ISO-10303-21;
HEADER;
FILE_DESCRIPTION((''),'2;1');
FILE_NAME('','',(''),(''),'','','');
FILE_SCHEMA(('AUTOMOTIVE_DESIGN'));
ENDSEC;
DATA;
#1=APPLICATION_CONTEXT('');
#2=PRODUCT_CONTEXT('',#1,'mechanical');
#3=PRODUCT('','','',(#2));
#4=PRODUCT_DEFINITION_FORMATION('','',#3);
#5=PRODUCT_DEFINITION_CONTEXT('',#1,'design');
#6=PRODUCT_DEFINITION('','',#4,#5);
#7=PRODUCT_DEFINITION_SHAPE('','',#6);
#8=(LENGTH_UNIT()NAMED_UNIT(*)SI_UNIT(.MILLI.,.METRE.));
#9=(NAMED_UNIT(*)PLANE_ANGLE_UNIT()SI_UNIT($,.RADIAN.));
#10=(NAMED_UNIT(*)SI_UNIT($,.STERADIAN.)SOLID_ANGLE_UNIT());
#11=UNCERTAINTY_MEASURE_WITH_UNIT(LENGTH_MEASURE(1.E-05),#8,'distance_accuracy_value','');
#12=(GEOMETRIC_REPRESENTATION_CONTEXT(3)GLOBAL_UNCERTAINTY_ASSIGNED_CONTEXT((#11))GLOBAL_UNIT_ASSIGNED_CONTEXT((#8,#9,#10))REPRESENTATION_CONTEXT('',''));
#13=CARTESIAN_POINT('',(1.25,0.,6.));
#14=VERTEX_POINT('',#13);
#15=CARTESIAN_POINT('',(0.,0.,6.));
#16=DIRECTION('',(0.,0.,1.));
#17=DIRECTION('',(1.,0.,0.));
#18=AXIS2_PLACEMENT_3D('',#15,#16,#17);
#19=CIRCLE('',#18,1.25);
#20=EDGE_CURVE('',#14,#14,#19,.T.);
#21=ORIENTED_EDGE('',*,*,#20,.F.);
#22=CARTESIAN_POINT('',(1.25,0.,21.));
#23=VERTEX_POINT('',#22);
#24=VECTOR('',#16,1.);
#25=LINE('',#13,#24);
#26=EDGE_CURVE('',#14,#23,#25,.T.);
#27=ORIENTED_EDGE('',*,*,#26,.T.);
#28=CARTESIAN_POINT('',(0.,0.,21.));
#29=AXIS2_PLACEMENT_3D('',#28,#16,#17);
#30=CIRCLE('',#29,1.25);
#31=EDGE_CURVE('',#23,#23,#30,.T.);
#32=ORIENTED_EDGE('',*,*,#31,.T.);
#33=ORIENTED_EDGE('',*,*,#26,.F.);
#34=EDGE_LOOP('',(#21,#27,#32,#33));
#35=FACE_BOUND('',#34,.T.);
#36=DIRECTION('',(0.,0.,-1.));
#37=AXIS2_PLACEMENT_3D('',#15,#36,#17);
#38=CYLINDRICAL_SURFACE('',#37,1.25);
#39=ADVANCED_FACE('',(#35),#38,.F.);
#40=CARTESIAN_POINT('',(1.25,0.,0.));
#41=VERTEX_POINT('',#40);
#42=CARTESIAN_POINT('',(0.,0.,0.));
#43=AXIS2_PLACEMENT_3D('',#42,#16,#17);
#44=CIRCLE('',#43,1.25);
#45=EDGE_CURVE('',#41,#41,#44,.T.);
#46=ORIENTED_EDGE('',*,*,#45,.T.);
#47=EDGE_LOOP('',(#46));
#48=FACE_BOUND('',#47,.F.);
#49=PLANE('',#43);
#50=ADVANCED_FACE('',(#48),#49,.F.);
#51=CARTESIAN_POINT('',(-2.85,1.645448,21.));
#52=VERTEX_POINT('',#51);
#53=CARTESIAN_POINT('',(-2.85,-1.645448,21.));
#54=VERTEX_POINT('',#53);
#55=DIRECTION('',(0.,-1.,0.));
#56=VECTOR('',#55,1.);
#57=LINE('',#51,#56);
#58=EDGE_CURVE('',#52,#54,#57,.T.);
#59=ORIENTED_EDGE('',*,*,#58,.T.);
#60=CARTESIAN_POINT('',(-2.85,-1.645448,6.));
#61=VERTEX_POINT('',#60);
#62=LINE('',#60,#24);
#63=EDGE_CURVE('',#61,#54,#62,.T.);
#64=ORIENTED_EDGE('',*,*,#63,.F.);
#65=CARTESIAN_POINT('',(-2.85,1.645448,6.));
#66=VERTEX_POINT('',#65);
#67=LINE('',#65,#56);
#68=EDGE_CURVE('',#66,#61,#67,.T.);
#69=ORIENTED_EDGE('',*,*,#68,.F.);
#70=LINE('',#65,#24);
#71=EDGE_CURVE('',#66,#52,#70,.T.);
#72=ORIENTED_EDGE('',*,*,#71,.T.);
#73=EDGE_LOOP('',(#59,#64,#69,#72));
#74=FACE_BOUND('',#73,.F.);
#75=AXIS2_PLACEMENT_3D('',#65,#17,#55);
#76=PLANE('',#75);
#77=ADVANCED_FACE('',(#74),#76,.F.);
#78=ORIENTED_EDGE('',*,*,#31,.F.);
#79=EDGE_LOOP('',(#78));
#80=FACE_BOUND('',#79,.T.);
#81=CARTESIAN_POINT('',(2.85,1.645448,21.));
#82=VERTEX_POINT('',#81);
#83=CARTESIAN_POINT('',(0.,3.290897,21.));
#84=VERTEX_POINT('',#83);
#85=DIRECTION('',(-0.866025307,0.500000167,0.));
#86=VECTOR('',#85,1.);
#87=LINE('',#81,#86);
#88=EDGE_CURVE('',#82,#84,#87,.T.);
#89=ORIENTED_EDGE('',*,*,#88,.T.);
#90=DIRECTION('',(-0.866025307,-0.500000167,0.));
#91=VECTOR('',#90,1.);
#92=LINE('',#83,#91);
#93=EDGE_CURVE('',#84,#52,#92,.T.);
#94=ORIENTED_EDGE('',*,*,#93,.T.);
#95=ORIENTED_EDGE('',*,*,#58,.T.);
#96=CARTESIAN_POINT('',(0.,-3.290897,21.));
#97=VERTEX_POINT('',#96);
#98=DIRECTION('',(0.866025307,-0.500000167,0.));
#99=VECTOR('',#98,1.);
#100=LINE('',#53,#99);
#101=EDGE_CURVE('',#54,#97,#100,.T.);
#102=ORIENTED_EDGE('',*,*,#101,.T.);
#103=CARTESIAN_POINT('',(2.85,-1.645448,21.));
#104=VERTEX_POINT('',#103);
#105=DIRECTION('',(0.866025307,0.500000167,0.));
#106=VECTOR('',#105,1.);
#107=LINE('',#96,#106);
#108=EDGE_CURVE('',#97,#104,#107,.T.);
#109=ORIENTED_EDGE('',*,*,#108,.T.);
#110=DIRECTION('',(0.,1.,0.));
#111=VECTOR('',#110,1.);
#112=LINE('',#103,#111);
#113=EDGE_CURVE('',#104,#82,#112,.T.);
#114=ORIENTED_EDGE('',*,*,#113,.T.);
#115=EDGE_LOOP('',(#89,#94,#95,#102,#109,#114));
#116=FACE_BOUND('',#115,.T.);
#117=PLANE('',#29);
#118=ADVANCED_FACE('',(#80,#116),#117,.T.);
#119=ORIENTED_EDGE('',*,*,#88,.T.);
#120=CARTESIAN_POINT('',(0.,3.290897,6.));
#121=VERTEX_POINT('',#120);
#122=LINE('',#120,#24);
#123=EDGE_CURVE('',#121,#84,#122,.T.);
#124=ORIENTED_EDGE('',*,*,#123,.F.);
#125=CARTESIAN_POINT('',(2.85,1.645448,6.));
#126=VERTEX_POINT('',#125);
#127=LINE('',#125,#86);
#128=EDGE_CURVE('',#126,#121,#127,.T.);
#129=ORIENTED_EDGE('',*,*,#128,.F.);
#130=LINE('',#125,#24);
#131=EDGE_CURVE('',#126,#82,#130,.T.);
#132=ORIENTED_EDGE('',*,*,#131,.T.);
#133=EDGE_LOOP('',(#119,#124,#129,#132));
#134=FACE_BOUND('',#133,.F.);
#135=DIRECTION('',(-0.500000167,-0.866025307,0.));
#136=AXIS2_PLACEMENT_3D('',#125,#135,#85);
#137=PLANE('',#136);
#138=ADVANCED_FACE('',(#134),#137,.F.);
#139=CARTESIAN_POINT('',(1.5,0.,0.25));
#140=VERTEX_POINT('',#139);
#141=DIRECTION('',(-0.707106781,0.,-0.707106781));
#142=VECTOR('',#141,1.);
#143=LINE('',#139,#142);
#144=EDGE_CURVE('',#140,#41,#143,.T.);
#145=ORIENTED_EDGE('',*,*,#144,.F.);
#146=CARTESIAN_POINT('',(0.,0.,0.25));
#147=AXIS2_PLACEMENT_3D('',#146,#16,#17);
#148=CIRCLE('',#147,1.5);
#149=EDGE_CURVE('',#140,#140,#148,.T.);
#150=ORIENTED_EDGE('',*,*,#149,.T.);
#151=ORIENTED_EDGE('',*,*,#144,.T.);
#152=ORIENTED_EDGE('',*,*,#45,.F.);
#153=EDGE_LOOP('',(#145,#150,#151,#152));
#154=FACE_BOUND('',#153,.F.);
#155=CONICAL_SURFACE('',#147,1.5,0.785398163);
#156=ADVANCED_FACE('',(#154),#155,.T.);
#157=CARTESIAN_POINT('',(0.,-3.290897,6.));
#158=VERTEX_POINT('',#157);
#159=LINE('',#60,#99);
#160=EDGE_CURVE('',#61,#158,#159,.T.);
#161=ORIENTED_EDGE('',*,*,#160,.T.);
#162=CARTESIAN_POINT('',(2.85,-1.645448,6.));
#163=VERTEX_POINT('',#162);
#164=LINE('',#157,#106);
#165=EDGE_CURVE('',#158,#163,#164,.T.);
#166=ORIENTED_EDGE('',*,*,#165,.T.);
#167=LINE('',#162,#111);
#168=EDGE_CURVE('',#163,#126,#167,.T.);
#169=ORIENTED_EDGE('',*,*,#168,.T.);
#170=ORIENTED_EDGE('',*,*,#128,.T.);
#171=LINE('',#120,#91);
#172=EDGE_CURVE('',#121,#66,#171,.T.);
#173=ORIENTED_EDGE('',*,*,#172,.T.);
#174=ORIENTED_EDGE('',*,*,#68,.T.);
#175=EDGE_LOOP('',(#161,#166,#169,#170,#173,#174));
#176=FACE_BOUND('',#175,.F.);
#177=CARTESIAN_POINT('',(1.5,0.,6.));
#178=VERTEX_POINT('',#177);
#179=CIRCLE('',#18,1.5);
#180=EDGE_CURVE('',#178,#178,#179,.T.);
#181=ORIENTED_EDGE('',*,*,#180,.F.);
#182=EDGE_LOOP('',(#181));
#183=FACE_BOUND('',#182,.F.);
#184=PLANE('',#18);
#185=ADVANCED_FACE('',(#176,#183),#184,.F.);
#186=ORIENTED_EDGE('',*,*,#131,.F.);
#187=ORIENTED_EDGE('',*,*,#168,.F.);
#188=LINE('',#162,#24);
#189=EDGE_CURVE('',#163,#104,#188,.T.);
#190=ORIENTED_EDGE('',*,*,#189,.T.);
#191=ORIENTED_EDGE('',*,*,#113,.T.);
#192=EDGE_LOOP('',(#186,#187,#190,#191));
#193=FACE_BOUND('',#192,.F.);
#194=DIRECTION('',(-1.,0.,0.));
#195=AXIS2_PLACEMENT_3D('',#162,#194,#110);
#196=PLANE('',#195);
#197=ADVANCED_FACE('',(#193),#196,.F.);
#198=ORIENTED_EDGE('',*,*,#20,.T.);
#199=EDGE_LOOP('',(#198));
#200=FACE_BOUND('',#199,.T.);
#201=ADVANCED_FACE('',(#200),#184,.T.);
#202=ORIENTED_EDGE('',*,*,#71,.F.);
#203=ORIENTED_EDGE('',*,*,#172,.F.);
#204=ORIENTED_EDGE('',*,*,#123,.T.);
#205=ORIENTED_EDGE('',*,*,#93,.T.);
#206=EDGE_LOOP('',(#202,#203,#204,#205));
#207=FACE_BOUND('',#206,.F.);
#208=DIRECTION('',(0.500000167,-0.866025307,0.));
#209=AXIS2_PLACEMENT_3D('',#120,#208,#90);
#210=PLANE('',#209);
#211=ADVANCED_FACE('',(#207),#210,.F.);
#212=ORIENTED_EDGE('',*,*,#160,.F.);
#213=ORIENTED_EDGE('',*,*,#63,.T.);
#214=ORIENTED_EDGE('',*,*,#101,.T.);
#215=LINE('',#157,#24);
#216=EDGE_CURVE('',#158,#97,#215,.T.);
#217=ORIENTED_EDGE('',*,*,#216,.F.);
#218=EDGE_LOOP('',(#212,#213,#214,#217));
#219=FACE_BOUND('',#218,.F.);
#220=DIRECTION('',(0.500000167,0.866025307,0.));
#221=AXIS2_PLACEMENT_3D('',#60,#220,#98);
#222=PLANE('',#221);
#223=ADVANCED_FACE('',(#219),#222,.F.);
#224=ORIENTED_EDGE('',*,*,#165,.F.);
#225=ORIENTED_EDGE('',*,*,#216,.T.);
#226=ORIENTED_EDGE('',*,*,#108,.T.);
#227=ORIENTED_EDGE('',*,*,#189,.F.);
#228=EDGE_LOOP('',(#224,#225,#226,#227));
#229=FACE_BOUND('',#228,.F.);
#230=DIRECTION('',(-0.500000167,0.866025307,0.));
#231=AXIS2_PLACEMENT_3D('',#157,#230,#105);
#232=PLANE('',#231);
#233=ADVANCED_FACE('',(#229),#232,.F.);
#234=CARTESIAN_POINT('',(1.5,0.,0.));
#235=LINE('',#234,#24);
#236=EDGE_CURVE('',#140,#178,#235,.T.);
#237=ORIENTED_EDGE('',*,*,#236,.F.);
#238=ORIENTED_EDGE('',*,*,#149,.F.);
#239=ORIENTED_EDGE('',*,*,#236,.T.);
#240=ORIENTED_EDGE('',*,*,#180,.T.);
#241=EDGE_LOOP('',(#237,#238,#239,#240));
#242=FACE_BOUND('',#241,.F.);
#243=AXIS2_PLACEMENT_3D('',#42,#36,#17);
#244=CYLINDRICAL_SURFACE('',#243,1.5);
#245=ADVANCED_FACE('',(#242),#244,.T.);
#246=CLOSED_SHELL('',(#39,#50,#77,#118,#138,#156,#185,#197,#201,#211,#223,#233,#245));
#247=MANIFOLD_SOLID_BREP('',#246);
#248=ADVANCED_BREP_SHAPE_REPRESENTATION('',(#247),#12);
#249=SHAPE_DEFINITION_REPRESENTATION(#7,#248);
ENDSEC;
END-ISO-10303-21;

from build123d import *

# Parameters (mm, degrees)
SKETCH_R     = 1.5
PAD_DEPTH    = 6
SKETCH001_R  = 1.25
PAD001_DEPTH = 15
CHAMFER_SIZE = 0.25


with BuildPart() as part:
    # Sketch → Pad (new body)
    with BuildSketch(Plane.XY):
        Circle(SKETCH_R)
    extrude(amount=PAD_DEPTH)

    # Sketch001 (on Face3 of Pad) → Pad001 (join)
    with BuildSketch(Plane.XY.offset(6)):
        Polygon((0, -3.290897), (2.85, -1.645448), (2.85, 1.645448), (0, 3.290897), (-2.85, 1.645448), (-2.85, -1.645448), align=None)
        Circle(SKETCH001_R, mode=Mode.SUBTRACT)
    extrude(amount=PAD001_DEPTH)

    # Chamfer
    chamfer_edges = [part.edges().sort_by_distance(p)[0] for p in [
        (-1.5, 0, 0),
    ]]
    chamfer(chamfer_edges, length=CHAMFER_SIZE)


solid = part.part
